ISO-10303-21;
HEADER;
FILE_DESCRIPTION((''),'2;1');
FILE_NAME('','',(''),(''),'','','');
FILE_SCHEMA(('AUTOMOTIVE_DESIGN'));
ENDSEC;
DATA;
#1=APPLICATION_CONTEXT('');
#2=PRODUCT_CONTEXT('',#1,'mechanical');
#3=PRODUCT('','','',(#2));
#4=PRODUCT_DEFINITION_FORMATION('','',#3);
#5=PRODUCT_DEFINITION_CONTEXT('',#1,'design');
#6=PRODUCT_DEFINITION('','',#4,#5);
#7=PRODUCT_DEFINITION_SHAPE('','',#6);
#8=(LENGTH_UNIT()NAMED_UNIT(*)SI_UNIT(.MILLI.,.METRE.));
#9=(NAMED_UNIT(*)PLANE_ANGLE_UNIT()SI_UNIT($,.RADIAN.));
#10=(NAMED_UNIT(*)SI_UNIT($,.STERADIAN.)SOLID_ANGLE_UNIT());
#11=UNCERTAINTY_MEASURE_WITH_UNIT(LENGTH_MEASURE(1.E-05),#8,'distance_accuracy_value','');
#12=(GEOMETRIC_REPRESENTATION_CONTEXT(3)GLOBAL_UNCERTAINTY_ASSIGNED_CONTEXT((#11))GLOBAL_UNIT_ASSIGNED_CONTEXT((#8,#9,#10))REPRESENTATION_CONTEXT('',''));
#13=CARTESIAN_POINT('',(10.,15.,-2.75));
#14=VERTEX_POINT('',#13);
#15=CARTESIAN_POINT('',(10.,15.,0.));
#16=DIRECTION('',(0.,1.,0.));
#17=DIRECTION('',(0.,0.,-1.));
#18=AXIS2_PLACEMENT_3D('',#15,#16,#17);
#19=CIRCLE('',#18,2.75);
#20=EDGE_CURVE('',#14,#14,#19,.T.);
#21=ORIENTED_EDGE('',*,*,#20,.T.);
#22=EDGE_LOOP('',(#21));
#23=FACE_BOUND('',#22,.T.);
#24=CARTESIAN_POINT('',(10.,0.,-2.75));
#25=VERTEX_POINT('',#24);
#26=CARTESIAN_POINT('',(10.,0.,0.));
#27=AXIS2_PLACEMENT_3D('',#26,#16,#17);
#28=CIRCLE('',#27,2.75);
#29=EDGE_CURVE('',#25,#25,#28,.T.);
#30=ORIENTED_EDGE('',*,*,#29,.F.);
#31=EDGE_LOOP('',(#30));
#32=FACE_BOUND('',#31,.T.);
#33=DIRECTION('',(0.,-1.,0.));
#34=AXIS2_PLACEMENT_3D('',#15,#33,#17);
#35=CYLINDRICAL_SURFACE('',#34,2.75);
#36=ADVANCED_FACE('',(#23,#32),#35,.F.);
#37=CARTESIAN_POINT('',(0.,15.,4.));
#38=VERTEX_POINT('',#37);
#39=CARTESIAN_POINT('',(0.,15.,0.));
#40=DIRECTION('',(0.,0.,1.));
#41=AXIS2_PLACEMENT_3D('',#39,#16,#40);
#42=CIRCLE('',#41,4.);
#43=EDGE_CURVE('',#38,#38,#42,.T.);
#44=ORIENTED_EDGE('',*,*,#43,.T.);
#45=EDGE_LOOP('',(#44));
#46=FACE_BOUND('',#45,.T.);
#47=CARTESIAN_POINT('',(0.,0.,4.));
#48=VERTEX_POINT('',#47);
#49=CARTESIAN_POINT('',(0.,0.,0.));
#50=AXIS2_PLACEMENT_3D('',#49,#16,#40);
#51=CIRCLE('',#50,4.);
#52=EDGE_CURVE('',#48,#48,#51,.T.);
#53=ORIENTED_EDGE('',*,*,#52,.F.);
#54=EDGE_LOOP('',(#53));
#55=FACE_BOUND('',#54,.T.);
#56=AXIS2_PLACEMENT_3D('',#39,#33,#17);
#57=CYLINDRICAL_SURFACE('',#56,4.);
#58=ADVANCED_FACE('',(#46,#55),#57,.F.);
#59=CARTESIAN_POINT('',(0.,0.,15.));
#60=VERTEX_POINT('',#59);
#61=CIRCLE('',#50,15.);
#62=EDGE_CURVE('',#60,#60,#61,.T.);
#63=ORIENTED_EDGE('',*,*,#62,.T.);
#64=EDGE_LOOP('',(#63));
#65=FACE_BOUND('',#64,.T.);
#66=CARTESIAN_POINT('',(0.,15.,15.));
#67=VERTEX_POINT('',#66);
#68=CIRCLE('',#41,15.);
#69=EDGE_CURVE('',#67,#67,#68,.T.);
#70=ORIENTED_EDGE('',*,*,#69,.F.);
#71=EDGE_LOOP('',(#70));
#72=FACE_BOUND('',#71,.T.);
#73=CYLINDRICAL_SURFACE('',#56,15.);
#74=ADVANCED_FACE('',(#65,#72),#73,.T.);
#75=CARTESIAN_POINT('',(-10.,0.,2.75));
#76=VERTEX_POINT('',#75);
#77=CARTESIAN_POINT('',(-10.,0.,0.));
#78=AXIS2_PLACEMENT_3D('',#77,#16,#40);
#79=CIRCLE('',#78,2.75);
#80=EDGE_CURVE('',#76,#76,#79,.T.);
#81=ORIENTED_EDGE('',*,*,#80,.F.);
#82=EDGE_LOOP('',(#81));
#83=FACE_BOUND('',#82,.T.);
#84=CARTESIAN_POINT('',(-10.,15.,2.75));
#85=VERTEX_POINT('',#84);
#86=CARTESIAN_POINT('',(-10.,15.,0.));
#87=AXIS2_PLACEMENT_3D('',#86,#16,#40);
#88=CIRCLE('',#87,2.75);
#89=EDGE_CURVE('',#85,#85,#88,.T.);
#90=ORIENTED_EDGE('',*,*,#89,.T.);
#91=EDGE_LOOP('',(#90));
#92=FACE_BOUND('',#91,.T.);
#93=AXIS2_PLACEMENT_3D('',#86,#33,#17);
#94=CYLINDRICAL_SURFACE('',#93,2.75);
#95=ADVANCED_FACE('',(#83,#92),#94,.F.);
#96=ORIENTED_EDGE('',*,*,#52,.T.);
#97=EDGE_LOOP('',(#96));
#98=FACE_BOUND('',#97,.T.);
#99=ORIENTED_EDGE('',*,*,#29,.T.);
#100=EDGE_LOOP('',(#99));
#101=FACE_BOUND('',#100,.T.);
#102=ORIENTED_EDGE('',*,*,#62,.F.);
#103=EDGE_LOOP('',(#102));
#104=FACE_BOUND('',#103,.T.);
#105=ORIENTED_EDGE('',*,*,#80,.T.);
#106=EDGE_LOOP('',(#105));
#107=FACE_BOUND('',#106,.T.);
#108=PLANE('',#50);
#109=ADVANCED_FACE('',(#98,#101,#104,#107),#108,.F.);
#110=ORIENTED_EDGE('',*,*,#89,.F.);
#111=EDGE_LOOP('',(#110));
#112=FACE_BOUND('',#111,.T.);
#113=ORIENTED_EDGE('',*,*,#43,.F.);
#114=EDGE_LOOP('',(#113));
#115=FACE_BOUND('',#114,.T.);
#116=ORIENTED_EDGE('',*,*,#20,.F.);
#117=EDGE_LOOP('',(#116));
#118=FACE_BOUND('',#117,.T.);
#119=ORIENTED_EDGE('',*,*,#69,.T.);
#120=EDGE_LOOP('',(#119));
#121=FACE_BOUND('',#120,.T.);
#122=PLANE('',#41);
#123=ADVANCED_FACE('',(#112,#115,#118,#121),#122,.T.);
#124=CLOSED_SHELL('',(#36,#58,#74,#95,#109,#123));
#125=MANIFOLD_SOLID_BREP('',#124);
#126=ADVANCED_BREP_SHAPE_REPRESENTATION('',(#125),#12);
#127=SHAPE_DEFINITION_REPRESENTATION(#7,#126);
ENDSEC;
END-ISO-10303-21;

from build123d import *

# Parameters (mm, degrees)
SKETCH1_R           = 15
SKETCH1_R_2         = 4
SKETCH1_R_3         = 2.75
BOSS_EXTRUDE1_DEPTH = 15


with BuildPart() as part:
    # Sketch1 → Boss-Extrude1 (new body)
    with BuildSketch(Plane(origin=(0, 0, 0), x_dir=(1, 0, 0), z_dir=(0, 1, 0))):
        with Locations(Location((0, 0, 0), (0, 0, 270))):
            Circle(SKETCH1_R)
        with Locations(Location((0, 0, 0), (0, 0, 270))):
            Circle(SKETCH1_R_2, mode=Mode.SUBTRACT)
        with Locations(Location((-10, 0, 0), (0, 0, 270))):
            Circle(SKETCH1_R_3, mode=Mode.SUBTRACT)
        with Locations(Location((10, 0, 0), (0, 0, 90))):
            Circle(SKETCH1_R_3, mode=Mode.SUBTRACT)
    extrude(amount=BOSS_EXTRUDE1_DEPTH)


solid = part.part
